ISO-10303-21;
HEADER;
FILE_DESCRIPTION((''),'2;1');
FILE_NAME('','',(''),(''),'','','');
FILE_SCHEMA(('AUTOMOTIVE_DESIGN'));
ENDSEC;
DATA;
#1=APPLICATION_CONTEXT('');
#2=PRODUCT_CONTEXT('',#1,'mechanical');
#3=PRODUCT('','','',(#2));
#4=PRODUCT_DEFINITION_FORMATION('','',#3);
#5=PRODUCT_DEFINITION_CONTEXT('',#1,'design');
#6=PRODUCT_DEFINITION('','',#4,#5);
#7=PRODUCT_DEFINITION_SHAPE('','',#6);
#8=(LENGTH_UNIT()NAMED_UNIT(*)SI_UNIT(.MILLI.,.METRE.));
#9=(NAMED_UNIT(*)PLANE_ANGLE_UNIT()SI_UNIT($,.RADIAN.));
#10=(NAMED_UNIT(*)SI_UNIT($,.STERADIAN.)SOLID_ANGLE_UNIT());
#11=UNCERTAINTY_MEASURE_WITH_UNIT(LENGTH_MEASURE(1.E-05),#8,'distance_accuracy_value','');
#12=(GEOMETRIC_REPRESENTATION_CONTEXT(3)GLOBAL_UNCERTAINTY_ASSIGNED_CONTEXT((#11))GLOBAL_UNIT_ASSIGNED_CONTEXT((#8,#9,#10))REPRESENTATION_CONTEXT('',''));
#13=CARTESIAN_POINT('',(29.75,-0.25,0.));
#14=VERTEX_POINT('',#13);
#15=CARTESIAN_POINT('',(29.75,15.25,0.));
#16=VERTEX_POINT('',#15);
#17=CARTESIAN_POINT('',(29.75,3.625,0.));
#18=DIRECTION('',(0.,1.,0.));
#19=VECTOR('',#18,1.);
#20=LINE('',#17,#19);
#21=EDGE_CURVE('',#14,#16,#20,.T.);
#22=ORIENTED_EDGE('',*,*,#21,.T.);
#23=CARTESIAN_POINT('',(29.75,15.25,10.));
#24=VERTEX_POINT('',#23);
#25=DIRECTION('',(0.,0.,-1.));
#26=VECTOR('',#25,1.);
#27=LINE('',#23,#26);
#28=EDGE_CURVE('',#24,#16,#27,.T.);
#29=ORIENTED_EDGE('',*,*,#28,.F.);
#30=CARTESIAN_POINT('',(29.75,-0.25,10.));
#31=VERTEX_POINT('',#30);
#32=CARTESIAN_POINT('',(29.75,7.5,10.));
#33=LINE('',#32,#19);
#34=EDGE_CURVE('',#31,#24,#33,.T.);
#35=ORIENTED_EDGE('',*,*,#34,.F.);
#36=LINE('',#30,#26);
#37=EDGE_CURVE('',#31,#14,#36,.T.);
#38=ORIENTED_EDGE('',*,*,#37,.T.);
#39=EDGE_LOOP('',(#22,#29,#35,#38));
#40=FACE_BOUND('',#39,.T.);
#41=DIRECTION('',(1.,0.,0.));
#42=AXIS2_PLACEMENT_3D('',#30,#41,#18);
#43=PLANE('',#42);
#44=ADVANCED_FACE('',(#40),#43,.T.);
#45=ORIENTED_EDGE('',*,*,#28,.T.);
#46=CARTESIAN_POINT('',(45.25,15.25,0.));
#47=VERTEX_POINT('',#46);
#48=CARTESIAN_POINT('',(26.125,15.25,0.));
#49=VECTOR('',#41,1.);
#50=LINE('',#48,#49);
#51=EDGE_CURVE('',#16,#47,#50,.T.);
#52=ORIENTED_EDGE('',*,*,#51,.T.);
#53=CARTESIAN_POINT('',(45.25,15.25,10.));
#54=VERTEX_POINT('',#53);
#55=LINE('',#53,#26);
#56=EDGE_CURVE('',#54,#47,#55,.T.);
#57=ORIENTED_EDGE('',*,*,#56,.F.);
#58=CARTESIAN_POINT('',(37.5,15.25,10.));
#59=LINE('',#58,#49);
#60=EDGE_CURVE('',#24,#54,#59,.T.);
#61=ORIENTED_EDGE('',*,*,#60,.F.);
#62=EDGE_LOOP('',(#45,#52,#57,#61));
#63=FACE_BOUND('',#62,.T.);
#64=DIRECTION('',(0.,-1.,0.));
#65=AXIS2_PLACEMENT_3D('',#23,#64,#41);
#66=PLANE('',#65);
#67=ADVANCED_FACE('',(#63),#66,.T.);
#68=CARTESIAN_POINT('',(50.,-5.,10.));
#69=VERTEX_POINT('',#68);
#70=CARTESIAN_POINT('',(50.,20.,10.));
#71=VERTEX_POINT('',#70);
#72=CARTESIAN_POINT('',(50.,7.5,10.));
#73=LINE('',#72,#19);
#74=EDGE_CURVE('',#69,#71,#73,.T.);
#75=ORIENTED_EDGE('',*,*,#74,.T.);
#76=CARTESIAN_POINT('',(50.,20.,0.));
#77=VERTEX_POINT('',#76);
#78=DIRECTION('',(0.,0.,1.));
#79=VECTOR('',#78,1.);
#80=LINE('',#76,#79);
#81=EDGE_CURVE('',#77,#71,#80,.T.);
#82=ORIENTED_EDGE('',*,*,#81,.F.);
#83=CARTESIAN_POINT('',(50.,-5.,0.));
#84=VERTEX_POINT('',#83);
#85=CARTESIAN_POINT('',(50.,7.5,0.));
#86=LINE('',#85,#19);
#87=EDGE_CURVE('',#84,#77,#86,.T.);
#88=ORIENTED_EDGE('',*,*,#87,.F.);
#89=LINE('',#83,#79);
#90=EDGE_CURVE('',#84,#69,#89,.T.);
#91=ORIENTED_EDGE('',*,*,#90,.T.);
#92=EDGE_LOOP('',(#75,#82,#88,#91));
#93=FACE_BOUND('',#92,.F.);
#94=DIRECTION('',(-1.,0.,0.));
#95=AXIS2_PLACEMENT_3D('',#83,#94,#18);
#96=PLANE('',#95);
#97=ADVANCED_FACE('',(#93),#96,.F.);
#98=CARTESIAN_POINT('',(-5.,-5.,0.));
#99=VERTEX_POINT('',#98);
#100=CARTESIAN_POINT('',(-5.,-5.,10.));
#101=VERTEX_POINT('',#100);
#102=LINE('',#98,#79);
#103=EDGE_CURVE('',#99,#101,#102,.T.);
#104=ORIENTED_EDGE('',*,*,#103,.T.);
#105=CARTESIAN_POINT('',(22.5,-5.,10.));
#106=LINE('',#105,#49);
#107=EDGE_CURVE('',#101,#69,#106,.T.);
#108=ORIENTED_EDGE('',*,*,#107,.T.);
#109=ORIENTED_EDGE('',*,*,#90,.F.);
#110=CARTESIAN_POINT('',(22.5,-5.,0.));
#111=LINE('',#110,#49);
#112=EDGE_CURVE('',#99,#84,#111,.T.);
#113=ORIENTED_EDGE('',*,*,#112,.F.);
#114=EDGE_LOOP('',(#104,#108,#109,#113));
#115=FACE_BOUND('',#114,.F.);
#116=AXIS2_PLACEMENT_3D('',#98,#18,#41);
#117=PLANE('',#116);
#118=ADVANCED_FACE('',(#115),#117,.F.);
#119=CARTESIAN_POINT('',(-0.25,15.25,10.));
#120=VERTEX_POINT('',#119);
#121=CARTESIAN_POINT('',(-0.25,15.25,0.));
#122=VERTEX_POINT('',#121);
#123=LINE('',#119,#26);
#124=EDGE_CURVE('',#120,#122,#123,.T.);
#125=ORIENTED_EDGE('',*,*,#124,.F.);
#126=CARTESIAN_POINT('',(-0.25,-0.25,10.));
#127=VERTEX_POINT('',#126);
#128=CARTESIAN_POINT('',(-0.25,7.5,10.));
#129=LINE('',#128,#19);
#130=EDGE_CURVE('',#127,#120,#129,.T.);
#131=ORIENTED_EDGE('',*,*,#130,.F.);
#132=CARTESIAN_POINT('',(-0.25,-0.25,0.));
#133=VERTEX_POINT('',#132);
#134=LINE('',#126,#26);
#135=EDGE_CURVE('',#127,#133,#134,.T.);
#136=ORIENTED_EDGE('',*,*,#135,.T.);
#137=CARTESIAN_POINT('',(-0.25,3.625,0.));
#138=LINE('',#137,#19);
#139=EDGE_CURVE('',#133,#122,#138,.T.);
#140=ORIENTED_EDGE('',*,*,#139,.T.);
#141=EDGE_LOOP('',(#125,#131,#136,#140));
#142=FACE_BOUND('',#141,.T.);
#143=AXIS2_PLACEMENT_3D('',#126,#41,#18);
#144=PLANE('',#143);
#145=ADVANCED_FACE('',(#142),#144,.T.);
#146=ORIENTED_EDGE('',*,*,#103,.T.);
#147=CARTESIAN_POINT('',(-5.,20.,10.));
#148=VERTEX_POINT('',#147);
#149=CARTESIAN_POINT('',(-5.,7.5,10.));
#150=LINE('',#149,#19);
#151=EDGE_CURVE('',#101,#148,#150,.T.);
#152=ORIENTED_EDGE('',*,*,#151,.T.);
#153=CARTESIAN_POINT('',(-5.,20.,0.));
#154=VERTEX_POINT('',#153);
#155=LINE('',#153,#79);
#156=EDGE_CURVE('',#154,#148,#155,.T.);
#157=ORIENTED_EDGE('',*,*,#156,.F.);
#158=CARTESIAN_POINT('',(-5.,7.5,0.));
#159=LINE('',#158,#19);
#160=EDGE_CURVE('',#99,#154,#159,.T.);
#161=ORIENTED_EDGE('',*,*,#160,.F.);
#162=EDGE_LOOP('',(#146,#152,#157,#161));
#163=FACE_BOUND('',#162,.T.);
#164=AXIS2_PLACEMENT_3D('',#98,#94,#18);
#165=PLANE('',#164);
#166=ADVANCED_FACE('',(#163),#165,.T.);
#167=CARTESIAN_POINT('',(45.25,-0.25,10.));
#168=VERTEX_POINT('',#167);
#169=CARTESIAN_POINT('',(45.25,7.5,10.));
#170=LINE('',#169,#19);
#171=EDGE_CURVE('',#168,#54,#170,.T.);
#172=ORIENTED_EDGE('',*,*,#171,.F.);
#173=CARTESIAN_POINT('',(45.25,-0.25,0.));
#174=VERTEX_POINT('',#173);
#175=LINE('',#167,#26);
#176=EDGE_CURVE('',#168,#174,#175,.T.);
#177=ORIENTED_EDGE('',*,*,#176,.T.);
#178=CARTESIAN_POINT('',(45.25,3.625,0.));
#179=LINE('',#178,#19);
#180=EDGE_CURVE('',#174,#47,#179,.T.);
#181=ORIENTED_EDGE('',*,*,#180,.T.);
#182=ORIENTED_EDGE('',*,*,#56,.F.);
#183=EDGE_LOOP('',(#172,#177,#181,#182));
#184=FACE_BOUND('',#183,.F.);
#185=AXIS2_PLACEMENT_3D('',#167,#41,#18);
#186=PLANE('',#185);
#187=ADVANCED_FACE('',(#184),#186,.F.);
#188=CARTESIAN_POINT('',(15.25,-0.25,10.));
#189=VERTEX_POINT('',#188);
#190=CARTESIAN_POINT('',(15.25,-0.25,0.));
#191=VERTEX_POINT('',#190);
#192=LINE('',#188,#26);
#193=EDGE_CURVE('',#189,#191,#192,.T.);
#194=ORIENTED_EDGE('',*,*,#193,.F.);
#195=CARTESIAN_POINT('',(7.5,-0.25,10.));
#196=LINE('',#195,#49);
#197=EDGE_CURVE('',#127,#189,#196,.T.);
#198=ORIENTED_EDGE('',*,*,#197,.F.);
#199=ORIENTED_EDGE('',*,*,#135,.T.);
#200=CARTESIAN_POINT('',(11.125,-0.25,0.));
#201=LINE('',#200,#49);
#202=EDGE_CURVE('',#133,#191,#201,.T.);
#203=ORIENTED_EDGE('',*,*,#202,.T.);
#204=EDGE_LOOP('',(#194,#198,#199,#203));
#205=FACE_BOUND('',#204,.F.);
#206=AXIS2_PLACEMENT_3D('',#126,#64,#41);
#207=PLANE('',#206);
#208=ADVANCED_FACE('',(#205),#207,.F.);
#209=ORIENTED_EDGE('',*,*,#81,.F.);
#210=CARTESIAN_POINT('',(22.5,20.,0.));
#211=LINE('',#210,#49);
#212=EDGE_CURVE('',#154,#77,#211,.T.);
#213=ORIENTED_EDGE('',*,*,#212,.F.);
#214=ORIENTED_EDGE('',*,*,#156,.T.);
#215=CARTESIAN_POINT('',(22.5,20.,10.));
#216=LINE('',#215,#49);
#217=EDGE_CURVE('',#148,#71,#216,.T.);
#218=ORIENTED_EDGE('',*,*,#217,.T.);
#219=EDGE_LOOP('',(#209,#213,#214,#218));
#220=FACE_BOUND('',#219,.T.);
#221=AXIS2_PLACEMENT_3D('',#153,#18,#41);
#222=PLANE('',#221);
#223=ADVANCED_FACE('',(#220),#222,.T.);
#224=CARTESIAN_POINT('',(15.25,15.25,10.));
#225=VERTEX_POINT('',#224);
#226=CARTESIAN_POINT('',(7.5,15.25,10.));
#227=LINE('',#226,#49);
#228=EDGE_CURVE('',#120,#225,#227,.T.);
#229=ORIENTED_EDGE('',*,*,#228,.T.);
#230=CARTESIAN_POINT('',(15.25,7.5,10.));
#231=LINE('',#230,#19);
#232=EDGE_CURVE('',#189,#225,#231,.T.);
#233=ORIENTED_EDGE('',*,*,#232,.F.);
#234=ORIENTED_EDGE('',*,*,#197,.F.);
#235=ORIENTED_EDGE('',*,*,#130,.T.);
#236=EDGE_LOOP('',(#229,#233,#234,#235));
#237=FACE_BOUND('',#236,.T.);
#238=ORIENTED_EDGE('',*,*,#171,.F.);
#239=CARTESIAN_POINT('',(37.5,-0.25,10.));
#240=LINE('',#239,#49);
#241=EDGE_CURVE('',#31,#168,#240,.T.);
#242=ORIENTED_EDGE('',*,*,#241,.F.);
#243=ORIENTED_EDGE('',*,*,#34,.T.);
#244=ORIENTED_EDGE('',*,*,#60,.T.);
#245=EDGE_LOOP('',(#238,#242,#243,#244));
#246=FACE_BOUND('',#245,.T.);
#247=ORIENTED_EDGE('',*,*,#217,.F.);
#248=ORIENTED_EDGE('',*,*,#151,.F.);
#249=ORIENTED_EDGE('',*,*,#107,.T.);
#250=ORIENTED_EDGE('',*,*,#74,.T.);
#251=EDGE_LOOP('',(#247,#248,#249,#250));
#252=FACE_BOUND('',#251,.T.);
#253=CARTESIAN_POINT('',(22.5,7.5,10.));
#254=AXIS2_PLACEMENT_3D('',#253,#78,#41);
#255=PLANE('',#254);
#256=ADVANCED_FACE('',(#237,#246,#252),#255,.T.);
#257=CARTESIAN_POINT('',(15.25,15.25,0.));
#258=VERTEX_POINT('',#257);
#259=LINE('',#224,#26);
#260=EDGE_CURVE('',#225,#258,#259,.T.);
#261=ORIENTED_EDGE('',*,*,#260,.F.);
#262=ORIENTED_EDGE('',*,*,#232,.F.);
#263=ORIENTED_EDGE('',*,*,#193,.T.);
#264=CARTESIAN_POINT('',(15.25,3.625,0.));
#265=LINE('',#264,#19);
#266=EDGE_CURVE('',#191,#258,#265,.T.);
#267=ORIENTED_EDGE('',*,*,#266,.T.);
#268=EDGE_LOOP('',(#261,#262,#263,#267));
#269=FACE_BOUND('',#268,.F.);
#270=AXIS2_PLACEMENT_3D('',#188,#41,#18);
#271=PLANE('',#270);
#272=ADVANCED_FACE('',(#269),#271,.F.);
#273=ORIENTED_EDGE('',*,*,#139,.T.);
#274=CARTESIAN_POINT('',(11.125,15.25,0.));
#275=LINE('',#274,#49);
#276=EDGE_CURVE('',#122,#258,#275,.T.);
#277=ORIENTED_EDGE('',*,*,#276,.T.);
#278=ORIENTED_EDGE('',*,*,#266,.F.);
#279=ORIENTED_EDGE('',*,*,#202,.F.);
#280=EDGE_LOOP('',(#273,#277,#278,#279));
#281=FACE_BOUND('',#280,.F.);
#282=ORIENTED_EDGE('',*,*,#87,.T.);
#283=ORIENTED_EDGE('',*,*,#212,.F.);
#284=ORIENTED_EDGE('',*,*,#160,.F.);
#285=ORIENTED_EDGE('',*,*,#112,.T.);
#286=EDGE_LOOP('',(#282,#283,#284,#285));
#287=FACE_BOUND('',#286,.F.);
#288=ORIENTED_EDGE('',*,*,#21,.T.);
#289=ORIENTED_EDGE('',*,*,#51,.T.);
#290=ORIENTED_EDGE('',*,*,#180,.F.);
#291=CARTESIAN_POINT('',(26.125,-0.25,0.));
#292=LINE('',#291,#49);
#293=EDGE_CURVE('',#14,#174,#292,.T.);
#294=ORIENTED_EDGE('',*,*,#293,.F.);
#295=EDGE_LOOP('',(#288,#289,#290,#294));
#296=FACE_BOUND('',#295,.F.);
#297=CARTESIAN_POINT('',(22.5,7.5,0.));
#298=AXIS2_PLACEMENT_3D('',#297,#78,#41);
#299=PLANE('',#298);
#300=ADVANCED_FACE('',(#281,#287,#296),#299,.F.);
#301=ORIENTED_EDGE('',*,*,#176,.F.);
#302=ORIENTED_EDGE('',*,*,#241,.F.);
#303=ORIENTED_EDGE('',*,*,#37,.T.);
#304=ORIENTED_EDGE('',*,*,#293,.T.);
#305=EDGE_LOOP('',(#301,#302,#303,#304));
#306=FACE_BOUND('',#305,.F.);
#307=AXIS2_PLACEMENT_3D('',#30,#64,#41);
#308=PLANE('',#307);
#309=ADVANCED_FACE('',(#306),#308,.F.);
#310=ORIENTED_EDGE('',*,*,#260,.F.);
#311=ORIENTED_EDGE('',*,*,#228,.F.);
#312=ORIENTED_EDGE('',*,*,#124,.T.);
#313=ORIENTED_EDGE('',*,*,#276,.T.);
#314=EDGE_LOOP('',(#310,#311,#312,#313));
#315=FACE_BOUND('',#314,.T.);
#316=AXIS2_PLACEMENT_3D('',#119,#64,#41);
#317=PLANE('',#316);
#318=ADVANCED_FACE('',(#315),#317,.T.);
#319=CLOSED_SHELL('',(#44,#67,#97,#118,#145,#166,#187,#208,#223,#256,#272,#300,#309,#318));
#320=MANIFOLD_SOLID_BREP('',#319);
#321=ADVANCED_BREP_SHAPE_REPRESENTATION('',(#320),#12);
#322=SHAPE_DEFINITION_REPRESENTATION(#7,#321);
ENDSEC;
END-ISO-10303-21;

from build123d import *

# Parameters (mm, degrees)
SKETCH_W     = 55
SKETCH_H     = 25
SKETCH_W_2   = 15
SKETCH_H_2   = 15
PAD_DEPTH    = 10
SKETCH001_W  = 15.5
SKETCH001_H  = 15.5
POCKET_DEPTH = 10.001


with BuildPart() as part:
    # Sketch → Pad (new body)
    with BuildSketch(Plane.XY):
        with Locations((22.5, 7.5)):
            Rectangle(SKETCH_W, SKETCH_H)
        with Locations((7.5, 7.5)):
            Rectangle(SKETCH_W_2, SKETCH_H_2, mode=Mode.SUBTRACT)
        with Locations((37.5, 7.5)):
            Rectangle(SKETCH_W_2, SKETCH_H_2, mode=Mode.SUBTRACT)
    extrude(amount=PAD_DEPTH)

    # Sketch001 (on Face14 of Pad) → Pocket (cut, through all)
    with BuildSketch(Plane.XY.offset(10)):
        with Locations((7.5, 7.5)):
            Rectangle(SKETCH001_W, SKETCH001_H)
        with Locations((37.5, 7.5)):
            Rectangle(SKETCH001_W, SKETCH001_H)
    extrude(amount=-POCKET_DEPTH, mode=Mode.SUBTRACT)


solid = part.part
